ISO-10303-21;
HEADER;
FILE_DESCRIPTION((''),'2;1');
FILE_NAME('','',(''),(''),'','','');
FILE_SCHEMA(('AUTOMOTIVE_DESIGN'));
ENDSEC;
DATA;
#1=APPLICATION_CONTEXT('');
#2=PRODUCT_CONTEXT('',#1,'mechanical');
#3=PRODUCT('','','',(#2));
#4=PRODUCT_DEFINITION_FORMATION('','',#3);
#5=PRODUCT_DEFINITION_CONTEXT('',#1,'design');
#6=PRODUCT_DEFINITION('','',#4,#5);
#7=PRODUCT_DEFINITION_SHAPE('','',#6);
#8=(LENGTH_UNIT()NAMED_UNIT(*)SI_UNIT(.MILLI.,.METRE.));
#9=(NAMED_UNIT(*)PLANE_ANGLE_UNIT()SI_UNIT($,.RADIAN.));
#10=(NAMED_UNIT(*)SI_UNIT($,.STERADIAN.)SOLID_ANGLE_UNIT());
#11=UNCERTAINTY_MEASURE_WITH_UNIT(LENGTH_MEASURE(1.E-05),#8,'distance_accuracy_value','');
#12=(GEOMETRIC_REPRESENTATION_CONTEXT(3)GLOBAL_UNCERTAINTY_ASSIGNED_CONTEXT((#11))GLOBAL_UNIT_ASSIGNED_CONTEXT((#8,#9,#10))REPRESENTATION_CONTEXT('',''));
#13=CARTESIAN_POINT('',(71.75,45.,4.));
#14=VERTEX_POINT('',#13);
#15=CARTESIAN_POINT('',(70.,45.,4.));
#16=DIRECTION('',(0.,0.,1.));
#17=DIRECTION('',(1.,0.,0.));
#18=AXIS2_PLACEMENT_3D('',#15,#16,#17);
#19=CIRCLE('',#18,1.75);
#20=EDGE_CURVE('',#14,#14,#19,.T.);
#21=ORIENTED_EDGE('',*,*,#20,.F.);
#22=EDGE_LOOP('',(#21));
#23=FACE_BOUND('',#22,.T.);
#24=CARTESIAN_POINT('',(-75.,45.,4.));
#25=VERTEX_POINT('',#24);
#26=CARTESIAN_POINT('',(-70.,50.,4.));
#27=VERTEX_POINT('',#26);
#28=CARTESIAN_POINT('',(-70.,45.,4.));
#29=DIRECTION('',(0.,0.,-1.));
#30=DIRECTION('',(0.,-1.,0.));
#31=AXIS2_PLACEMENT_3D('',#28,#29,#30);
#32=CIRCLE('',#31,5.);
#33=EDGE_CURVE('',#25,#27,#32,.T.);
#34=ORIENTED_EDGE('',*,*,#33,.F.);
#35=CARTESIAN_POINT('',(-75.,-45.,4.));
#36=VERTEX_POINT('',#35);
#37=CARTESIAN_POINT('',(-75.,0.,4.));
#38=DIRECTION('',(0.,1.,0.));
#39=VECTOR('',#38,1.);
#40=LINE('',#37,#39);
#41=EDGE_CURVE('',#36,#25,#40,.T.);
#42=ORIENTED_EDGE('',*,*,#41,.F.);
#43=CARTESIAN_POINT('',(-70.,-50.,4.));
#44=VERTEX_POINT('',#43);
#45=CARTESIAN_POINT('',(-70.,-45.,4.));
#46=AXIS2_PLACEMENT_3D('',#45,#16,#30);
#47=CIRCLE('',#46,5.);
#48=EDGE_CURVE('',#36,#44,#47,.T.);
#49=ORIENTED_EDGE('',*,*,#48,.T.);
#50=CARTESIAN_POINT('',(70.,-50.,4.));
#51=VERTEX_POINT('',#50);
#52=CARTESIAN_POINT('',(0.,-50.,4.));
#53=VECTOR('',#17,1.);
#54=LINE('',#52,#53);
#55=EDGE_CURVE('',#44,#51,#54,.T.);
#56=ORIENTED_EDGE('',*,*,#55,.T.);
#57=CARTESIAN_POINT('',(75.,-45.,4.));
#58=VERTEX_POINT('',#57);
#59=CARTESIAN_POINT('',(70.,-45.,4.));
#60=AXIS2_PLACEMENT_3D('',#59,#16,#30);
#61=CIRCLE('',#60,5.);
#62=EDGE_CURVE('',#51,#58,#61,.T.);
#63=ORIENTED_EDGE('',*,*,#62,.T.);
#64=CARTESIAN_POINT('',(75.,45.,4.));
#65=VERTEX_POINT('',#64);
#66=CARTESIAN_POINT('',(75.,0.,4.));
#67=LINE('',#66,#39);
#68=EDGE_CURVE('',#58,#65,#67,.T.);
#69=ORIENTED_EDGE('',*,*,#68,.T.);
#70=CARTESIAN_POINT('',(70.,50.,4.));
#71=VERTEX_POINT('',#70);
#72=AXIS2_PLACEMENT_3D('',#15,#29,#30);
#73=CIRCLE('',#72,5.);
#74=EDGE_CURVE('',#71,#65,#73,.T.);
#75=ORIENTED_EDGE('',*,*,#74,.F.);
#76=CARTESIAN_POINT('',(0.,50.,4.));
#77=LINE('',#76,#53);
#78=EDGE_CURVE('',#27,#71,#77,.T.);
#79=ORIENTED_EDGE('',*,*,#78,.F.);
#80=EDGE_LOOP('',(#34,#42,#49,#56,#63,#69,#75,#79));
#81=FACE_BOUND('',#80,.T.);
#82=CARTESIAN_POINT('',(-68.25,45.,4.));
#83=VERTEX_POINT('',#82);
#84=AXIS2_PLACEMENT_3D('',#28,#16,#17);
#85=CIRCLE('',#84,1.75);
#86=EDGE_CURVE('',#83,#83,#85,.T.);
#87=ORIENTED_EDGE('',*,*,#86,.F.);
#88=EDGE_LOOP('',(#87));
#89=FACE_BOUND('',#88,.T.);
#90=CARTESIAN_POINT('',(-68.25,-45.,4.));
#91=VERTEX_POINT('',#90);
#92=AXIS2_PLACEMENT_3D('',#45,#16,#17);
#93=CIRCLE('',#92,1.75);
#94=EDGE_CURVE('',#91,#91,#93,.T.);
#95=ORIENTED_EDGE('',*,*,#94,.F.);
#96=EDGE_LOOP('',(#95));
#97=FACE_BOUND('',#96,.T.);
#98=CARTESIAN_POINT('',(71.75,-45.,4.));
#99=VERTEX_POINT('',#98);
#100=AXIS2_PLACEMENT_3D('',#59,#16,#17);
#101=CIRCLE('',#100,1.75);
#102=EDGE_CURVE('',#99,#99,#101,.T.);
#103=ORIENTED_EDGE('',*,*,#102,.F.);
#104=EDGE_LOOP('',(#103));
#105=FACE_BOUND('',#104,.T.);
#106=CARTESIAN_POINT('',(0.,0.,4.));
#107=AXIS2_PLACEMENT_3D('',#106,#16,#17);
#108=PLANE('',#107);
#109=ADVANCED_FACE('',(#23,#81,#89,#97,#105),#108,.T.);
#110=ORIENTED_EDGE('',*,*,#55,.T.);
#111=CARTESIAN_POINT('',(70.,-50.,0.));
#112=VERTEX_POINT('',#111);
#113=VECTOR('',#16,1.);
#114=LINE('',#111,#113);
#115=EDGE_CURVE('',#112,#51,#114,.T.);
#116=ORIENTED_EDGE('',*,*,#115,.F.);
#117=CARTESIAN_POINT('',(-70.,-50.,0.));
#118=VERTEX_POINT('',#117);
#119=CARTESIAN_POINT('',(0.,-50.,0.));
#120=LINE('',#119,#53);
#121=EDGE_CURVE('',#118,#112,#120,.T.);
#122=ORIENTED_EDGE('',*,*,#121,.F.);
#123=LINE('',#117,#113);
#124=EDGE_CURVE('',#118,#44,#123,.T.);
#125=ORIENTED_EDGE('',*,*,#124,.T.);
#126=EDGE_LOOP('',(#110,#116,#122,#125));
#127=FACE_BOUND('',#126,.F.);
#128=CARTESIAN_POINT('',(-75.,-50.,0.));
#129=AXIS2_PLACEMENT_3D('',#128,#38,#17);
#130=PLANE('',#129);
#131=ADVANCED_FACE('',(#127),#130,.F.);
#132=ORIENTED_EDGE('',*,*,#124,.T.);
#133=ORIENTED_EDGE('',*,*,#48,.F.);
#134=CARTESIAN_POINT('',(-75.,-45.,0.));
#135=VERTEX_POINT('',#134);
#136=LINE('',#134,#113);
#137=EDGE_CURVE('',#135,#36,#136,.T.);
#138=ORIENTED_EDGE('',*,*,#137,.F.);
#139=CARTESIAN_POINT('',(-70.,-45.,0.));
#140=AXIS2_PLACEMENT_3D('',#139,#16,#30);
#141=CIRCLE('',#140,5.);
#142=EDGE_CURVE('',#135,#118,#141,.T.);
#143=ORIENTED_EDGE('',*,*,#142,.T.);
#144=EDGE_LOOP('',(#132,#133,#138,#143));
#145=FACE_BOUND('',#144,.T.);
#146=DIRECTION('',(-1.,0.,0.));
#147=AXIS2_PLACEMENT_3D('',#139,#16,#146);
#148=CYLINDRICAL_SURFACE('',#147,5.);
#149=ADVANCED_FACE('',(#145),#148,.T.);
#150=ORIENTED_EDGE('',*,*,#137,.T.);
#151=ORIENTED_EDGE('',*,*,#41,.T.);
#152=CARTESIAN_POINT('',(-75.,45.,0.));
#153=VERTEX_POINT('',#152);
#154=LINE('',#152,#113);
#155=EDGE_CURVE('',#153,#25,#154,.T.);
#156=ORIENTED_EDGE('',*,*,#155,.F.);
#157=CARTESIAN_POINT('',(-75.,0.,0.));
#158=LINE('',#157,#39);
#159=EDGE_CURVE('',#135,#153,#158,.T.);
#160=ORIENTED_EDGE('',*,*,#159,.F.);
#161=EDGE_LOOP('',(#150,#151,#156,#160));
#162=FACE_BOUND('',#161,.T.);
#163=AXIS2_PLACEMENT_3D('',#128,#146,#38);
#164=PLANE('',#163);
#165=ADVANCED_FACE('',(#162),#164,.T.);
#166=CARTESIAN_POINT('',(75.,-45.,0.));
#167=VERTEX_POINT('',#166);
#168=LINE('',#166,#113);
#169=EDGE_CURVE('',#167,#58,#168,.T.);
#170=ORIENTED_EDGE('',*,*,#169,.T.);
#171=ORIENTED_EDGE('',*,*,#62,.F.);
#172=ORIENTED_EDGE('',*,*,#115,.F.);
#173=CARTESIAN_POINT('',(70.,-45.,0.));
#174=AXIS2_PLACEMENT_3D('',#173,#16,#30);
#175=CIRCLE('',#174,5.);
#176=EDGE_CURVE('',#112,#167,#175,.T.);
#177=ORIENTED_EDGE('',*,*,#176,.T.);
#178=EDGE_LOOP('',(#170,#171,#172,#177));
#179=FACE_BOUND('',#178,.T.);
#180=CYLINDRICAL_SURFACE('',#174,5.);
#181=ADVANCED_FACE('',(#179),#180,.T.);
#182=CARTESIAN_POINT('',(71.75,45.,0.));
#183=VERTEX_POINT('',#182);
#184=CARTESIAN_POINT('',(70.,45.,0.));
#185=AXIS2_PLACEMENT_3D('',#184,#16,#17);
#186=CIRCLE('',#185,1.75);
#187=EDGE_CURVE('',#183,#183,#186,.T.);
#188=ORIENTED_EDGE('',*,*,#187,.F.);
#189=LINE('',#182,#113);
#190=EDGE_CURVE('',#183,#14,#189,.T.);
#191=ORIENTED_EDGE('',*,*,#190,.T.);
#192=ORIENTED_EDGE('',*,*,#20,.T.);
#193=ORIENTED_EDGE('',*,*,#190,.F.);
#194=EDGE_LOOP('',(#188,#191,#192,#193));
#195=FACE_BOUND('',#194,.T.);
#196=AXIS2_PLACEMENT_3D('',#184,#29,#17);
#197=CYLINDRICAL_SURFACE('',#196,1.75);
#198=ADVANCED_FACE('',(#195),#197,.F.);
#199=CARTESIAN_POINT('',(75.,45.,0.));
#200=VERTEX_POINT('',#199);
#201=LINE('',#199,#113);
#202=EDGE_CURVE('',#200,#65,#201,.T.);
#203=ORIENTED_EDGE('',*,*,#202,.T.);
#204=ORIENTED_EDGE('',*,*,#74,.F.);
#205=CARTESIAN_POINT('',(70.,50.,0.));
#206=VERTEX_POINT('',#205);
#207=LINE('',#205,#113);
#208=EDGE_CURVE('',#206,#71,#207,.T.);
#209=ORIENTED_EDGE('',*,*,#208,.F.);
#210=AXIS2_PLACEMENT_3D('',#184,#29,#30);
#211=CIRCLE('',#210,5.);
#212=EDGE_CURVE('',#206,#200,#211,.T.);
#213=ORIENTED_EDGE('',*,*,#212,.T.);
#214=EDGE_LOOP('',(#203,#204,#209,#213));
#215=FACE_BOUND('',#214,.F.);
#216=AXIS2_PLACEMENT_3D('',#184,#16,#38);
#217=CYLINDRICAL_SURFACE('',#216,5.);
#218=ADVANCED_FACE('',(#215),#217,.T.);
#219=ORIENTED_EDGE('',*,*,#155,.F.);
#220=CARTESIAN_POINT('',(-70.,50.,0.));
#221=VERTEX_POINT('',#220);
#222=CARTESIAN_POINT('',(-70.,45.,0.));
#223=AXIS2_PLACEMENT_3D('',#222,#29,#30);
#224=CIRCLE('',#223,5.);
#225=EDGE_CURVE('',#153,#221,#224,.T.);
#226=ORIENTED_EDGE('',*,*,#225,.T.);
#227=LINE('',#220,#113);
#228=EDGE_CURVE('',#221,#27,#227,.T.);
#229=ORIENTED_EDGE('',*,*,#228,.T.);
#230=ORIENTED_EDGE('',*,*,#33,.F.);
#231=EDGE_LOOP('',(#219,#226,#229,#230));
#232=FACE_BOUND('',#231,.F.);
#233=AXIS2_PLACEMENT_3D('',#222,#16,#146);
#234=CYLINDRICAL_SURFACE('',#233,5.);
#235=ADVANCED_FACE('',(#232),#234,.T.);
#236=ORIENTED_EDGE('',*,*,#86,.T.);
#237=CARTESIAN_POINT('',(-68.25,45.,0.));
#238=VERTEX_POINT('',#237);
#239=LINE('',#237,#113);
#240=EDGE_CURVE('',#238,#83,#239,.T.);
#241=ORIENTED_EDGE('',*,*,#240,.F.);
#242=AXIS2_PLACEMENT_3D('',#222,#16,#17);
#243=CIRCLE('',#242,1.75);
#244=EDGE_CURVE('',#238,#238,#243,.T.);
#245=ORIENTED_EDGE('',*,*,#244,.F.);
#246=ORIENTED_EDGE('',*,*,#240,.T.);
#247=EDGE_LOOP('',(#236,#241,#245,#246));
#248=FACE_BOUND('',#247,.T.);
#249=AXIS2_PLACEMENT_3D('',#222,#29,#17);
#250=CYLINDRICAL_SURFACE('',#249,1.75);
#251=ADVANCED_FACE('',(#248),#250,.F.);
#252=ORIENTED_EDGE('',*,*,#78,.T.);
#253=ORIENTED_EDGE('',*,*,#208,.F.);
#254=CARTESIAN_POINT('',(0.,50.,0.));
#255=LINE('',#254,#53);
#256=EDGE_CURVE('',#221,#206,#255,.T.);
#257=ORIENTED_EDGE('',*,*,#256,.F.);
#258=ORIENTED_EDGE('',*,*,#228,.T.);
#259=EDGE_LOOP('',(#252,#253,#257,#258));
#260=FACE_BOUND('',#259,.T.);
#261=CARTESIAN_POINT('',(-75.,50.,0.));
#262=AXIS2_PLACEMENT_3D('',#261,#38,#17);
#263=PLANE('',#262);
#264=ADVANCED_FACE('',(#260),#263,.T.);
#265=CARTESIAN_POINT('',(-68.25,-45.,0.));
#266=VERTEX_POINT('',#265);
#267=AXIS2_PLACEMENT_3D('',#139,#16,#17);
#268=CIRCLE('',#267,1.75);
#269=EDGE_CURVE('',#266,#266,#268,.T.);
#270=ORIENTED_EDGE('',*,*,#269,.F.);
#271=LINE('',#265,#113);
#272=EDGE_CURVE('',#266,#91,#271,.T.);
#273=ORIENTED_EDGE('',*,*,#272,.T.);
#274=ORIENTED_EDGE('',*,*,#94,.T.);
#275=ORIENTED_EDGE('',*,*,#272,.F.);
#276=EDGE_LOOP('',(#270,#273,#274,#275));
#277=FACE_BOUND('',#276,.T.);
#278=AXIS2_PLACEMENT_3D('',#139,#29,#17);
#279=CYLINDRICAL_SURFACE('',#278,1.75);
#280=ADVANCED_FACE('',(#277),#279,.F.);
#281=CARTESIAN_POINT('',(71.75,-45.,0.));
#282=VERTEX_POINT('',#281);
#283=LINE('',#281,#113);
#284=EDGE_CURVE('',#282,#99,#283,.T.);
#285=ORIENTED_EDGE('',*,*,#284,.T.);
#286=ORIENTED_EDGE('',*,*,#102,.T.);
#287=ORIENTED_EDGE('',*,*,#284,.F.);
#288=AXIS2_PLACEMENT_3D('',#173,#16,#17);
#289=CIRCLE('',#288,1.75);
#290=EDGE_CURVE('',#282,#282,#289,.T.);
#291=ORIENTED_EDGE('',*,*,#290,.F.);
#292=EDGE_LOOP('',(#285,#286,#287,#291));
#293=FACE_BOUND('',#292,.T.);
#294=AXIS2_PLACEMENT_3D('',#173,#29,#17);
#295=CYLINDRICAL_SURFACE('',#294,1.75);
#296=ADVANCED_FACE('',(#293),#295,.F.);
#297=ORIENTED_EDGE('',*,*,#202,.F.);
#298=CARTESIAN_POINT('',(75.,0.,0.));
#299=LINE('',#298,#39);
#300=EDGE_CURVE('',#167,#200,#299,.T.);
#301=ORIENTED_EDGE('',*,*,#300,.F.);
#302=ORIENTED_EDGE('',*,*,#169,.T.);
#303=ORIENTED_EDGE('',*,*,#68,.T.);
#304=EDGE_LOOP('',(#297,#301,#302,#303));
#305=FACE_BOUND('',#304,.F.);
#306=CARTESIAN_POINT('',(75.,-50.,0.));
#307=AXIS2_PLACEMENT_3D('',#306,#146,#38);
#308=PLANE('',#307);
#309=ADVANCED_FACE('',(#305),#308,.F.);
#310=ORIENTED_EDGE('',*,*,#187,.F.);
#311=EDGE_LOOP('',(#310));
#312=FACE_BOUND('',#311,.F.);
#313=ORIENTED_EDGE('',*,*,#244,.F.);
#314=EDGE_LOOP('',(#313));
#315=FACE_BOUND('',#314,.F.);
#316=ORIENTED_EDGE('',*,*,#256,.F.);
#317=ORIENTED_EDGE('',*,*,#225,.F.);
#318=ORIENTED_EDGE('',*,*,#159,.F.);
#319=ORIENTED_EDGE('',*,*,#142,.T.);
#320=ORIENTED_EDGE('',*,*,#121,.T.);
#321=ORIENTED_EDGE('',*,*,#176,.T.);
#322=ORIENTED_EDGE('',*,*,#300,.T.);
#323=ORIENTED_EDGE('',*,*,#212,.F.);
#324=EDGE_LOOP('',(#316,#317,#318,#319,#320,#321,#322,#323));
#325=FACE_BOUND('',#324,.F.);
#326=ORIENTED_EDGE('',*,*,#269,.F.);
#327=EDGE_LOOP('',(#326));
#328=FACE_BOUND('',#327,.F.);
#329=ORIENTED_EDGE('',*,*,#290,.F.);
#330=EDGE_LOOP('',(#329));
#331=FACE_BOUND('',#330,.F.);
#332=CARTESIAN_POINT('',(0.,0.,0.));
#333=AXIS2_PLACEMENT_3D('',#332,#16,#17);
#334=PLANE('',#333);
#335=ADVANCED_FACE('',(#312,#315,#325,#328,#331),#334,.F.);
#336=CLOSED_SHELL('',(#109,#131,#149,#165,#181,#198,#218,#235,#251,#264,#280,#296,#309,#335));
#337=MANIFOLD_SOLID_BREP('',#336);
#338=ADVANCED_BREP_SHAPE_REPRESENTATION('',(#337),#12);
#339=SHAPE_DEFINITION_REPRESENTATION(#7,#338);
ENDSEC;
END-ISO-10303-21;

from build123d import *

# Parameters (mm, degrees)
F0_W     = 150
F0_H     = 100
F0_R     = 1.75
F1_DEPTH = 4
F2_R     = 5


with BuildPart() as f1:
    # F0 (on Top) → F1 (new body)
    with BuildSketch(Plane.XY):
        Rectangle(F0_W, F0_H)
        with Locations((-70, -45)):
            Circle(F0_R, mode=Mode.SUBTRACT)
        with Locations((70, -45)):
            Circle(F0_R, mode=Mode.SUBTRACT)
        with Locations((-70, 45)):
            Circle(F0_R, mode=Mode.SUBTRACT)
        with Locations((70, 45)):
            Circle(F0_R, mode=Mode.SUBTRACT)
    extrude(amount=F1_DEPTH)

    # F2
    f2_edges = [f1.edges().sort_by_distance(p)[0] for p in [
        (-75, 50, 2),
        (75, 50, 2),
        (75, -50, 2),
        (-75, -50, 2),
    ]]
    fillet(f2_edges, radius=F2_R)


solid = f1.part
